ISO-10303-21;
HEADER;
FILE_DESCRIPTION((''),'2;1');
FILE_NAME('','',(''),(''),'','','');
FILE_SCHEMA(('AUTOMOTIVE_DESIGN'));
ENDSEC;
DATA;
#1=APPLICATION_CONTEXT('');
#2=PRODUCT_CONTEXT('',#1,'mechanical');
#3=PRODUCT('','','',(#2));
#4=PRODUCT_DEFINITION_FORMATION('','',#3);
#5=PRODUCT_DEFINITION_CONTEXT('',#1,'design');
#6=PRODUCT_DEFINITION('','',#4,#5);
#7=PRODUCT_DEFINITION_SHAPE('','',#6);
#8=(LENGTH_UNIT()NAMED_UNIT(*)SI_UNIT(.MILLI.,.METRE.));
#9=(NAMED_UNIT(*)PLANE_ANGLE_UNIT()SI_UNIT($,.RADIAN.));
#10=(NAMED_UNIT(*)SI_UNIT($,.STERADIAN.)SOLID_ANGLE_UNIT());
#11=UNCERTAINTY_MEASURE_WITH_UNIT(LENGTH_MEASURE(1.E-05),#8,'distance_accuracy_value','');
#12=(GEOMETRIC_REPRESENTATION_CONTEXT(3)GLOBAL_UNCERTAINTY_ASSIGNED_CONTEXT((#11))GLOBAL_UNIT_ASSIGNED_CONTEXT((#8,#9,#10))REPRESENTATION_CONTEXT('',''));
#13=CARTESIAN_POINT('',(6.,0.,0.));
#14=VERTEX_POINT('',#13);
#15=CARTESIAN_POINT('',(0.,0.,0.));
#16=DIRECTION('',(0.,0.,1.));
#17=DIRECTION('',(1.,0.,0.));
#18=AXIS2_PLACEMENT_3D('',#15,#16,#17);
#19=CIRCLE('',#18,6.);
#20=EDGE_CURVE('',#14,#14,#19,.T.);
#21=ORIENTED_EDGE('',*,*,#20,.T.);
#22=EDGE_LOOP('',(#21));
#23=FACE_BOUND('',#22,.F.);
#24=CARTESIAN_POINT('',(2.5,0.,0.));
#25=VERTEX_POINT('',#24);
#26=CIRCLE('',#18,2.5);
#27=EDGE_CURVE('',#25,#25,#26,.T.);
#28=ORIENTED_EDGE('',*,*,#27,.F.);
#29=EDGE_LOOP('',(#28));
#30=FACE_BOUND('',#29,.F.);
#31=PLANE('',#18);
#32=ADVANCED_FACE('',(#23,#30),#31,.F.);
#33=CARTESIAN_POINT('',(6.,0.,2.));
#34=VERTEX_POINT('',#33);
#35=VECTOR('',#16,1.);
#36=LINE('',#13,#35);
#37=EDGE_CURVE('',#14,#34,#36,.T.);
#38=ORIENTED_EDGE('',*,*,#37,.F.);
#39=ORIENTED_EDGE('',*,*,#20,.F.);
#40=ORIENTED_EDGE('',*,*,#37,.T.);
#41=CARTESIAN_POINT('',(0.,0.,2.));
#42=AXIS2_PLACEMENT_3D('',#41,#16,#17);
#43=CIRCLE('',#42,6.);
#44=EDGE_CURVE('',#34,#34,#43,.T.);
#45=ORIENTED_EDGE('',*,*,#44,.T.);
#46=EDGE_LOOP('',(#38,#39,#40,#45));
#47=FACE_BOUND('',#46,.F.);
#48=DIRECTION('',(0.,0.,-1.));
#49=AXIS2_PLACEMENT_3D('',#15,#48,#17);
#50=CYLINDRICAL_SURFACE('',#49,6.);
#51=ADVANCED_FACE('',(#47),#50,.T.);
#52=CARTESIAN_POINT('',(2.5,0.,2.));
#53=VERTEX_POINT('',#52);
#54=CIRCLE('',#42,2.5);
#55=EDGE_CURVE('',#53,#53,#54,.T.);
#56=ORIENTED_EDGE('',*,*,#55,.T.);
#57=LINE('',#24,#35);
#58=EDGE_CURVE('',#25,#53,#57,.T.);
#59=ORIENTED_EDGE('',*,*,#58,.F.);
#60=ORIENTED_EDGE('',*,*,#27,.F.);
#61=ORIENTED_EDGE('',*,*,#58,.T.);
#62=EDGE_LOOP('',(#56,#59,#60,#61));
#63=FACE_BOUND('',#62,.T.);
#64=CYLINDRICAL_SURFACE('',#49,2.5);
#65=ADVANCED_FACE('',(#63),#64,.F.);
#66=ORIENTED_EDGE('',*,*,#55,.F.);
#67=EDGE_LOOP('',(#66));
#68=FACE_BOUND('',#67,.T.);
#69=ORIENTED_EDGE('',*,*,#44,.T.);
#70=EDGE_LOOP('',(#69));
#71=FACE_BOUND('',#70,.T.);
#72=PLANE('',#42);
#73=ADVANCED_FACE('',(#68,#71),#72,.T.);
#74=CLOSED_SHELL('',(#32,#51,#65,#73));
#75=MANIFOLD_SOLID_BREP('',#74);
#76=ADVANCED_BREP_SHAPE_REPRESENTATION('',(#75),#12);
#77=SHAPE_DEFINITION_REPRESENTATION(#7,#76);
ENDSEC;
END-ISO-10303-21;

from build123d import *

# Parameters (mm, degrees)
SKETCH_R   = 6
SKETCH_R_2 = 2.5
PAD_DEPTH  = 2


with BuildPart() as part:
    # Sketch → Pad (new body)
    with BuildSketch(Plane.XY):
        Circle(SKETCH_R)
        Circle(SKETCH_R_2, mode=Mode.SUBTRACT)
    extrude(amount=PAD_DEPTH)


solid = part.part
